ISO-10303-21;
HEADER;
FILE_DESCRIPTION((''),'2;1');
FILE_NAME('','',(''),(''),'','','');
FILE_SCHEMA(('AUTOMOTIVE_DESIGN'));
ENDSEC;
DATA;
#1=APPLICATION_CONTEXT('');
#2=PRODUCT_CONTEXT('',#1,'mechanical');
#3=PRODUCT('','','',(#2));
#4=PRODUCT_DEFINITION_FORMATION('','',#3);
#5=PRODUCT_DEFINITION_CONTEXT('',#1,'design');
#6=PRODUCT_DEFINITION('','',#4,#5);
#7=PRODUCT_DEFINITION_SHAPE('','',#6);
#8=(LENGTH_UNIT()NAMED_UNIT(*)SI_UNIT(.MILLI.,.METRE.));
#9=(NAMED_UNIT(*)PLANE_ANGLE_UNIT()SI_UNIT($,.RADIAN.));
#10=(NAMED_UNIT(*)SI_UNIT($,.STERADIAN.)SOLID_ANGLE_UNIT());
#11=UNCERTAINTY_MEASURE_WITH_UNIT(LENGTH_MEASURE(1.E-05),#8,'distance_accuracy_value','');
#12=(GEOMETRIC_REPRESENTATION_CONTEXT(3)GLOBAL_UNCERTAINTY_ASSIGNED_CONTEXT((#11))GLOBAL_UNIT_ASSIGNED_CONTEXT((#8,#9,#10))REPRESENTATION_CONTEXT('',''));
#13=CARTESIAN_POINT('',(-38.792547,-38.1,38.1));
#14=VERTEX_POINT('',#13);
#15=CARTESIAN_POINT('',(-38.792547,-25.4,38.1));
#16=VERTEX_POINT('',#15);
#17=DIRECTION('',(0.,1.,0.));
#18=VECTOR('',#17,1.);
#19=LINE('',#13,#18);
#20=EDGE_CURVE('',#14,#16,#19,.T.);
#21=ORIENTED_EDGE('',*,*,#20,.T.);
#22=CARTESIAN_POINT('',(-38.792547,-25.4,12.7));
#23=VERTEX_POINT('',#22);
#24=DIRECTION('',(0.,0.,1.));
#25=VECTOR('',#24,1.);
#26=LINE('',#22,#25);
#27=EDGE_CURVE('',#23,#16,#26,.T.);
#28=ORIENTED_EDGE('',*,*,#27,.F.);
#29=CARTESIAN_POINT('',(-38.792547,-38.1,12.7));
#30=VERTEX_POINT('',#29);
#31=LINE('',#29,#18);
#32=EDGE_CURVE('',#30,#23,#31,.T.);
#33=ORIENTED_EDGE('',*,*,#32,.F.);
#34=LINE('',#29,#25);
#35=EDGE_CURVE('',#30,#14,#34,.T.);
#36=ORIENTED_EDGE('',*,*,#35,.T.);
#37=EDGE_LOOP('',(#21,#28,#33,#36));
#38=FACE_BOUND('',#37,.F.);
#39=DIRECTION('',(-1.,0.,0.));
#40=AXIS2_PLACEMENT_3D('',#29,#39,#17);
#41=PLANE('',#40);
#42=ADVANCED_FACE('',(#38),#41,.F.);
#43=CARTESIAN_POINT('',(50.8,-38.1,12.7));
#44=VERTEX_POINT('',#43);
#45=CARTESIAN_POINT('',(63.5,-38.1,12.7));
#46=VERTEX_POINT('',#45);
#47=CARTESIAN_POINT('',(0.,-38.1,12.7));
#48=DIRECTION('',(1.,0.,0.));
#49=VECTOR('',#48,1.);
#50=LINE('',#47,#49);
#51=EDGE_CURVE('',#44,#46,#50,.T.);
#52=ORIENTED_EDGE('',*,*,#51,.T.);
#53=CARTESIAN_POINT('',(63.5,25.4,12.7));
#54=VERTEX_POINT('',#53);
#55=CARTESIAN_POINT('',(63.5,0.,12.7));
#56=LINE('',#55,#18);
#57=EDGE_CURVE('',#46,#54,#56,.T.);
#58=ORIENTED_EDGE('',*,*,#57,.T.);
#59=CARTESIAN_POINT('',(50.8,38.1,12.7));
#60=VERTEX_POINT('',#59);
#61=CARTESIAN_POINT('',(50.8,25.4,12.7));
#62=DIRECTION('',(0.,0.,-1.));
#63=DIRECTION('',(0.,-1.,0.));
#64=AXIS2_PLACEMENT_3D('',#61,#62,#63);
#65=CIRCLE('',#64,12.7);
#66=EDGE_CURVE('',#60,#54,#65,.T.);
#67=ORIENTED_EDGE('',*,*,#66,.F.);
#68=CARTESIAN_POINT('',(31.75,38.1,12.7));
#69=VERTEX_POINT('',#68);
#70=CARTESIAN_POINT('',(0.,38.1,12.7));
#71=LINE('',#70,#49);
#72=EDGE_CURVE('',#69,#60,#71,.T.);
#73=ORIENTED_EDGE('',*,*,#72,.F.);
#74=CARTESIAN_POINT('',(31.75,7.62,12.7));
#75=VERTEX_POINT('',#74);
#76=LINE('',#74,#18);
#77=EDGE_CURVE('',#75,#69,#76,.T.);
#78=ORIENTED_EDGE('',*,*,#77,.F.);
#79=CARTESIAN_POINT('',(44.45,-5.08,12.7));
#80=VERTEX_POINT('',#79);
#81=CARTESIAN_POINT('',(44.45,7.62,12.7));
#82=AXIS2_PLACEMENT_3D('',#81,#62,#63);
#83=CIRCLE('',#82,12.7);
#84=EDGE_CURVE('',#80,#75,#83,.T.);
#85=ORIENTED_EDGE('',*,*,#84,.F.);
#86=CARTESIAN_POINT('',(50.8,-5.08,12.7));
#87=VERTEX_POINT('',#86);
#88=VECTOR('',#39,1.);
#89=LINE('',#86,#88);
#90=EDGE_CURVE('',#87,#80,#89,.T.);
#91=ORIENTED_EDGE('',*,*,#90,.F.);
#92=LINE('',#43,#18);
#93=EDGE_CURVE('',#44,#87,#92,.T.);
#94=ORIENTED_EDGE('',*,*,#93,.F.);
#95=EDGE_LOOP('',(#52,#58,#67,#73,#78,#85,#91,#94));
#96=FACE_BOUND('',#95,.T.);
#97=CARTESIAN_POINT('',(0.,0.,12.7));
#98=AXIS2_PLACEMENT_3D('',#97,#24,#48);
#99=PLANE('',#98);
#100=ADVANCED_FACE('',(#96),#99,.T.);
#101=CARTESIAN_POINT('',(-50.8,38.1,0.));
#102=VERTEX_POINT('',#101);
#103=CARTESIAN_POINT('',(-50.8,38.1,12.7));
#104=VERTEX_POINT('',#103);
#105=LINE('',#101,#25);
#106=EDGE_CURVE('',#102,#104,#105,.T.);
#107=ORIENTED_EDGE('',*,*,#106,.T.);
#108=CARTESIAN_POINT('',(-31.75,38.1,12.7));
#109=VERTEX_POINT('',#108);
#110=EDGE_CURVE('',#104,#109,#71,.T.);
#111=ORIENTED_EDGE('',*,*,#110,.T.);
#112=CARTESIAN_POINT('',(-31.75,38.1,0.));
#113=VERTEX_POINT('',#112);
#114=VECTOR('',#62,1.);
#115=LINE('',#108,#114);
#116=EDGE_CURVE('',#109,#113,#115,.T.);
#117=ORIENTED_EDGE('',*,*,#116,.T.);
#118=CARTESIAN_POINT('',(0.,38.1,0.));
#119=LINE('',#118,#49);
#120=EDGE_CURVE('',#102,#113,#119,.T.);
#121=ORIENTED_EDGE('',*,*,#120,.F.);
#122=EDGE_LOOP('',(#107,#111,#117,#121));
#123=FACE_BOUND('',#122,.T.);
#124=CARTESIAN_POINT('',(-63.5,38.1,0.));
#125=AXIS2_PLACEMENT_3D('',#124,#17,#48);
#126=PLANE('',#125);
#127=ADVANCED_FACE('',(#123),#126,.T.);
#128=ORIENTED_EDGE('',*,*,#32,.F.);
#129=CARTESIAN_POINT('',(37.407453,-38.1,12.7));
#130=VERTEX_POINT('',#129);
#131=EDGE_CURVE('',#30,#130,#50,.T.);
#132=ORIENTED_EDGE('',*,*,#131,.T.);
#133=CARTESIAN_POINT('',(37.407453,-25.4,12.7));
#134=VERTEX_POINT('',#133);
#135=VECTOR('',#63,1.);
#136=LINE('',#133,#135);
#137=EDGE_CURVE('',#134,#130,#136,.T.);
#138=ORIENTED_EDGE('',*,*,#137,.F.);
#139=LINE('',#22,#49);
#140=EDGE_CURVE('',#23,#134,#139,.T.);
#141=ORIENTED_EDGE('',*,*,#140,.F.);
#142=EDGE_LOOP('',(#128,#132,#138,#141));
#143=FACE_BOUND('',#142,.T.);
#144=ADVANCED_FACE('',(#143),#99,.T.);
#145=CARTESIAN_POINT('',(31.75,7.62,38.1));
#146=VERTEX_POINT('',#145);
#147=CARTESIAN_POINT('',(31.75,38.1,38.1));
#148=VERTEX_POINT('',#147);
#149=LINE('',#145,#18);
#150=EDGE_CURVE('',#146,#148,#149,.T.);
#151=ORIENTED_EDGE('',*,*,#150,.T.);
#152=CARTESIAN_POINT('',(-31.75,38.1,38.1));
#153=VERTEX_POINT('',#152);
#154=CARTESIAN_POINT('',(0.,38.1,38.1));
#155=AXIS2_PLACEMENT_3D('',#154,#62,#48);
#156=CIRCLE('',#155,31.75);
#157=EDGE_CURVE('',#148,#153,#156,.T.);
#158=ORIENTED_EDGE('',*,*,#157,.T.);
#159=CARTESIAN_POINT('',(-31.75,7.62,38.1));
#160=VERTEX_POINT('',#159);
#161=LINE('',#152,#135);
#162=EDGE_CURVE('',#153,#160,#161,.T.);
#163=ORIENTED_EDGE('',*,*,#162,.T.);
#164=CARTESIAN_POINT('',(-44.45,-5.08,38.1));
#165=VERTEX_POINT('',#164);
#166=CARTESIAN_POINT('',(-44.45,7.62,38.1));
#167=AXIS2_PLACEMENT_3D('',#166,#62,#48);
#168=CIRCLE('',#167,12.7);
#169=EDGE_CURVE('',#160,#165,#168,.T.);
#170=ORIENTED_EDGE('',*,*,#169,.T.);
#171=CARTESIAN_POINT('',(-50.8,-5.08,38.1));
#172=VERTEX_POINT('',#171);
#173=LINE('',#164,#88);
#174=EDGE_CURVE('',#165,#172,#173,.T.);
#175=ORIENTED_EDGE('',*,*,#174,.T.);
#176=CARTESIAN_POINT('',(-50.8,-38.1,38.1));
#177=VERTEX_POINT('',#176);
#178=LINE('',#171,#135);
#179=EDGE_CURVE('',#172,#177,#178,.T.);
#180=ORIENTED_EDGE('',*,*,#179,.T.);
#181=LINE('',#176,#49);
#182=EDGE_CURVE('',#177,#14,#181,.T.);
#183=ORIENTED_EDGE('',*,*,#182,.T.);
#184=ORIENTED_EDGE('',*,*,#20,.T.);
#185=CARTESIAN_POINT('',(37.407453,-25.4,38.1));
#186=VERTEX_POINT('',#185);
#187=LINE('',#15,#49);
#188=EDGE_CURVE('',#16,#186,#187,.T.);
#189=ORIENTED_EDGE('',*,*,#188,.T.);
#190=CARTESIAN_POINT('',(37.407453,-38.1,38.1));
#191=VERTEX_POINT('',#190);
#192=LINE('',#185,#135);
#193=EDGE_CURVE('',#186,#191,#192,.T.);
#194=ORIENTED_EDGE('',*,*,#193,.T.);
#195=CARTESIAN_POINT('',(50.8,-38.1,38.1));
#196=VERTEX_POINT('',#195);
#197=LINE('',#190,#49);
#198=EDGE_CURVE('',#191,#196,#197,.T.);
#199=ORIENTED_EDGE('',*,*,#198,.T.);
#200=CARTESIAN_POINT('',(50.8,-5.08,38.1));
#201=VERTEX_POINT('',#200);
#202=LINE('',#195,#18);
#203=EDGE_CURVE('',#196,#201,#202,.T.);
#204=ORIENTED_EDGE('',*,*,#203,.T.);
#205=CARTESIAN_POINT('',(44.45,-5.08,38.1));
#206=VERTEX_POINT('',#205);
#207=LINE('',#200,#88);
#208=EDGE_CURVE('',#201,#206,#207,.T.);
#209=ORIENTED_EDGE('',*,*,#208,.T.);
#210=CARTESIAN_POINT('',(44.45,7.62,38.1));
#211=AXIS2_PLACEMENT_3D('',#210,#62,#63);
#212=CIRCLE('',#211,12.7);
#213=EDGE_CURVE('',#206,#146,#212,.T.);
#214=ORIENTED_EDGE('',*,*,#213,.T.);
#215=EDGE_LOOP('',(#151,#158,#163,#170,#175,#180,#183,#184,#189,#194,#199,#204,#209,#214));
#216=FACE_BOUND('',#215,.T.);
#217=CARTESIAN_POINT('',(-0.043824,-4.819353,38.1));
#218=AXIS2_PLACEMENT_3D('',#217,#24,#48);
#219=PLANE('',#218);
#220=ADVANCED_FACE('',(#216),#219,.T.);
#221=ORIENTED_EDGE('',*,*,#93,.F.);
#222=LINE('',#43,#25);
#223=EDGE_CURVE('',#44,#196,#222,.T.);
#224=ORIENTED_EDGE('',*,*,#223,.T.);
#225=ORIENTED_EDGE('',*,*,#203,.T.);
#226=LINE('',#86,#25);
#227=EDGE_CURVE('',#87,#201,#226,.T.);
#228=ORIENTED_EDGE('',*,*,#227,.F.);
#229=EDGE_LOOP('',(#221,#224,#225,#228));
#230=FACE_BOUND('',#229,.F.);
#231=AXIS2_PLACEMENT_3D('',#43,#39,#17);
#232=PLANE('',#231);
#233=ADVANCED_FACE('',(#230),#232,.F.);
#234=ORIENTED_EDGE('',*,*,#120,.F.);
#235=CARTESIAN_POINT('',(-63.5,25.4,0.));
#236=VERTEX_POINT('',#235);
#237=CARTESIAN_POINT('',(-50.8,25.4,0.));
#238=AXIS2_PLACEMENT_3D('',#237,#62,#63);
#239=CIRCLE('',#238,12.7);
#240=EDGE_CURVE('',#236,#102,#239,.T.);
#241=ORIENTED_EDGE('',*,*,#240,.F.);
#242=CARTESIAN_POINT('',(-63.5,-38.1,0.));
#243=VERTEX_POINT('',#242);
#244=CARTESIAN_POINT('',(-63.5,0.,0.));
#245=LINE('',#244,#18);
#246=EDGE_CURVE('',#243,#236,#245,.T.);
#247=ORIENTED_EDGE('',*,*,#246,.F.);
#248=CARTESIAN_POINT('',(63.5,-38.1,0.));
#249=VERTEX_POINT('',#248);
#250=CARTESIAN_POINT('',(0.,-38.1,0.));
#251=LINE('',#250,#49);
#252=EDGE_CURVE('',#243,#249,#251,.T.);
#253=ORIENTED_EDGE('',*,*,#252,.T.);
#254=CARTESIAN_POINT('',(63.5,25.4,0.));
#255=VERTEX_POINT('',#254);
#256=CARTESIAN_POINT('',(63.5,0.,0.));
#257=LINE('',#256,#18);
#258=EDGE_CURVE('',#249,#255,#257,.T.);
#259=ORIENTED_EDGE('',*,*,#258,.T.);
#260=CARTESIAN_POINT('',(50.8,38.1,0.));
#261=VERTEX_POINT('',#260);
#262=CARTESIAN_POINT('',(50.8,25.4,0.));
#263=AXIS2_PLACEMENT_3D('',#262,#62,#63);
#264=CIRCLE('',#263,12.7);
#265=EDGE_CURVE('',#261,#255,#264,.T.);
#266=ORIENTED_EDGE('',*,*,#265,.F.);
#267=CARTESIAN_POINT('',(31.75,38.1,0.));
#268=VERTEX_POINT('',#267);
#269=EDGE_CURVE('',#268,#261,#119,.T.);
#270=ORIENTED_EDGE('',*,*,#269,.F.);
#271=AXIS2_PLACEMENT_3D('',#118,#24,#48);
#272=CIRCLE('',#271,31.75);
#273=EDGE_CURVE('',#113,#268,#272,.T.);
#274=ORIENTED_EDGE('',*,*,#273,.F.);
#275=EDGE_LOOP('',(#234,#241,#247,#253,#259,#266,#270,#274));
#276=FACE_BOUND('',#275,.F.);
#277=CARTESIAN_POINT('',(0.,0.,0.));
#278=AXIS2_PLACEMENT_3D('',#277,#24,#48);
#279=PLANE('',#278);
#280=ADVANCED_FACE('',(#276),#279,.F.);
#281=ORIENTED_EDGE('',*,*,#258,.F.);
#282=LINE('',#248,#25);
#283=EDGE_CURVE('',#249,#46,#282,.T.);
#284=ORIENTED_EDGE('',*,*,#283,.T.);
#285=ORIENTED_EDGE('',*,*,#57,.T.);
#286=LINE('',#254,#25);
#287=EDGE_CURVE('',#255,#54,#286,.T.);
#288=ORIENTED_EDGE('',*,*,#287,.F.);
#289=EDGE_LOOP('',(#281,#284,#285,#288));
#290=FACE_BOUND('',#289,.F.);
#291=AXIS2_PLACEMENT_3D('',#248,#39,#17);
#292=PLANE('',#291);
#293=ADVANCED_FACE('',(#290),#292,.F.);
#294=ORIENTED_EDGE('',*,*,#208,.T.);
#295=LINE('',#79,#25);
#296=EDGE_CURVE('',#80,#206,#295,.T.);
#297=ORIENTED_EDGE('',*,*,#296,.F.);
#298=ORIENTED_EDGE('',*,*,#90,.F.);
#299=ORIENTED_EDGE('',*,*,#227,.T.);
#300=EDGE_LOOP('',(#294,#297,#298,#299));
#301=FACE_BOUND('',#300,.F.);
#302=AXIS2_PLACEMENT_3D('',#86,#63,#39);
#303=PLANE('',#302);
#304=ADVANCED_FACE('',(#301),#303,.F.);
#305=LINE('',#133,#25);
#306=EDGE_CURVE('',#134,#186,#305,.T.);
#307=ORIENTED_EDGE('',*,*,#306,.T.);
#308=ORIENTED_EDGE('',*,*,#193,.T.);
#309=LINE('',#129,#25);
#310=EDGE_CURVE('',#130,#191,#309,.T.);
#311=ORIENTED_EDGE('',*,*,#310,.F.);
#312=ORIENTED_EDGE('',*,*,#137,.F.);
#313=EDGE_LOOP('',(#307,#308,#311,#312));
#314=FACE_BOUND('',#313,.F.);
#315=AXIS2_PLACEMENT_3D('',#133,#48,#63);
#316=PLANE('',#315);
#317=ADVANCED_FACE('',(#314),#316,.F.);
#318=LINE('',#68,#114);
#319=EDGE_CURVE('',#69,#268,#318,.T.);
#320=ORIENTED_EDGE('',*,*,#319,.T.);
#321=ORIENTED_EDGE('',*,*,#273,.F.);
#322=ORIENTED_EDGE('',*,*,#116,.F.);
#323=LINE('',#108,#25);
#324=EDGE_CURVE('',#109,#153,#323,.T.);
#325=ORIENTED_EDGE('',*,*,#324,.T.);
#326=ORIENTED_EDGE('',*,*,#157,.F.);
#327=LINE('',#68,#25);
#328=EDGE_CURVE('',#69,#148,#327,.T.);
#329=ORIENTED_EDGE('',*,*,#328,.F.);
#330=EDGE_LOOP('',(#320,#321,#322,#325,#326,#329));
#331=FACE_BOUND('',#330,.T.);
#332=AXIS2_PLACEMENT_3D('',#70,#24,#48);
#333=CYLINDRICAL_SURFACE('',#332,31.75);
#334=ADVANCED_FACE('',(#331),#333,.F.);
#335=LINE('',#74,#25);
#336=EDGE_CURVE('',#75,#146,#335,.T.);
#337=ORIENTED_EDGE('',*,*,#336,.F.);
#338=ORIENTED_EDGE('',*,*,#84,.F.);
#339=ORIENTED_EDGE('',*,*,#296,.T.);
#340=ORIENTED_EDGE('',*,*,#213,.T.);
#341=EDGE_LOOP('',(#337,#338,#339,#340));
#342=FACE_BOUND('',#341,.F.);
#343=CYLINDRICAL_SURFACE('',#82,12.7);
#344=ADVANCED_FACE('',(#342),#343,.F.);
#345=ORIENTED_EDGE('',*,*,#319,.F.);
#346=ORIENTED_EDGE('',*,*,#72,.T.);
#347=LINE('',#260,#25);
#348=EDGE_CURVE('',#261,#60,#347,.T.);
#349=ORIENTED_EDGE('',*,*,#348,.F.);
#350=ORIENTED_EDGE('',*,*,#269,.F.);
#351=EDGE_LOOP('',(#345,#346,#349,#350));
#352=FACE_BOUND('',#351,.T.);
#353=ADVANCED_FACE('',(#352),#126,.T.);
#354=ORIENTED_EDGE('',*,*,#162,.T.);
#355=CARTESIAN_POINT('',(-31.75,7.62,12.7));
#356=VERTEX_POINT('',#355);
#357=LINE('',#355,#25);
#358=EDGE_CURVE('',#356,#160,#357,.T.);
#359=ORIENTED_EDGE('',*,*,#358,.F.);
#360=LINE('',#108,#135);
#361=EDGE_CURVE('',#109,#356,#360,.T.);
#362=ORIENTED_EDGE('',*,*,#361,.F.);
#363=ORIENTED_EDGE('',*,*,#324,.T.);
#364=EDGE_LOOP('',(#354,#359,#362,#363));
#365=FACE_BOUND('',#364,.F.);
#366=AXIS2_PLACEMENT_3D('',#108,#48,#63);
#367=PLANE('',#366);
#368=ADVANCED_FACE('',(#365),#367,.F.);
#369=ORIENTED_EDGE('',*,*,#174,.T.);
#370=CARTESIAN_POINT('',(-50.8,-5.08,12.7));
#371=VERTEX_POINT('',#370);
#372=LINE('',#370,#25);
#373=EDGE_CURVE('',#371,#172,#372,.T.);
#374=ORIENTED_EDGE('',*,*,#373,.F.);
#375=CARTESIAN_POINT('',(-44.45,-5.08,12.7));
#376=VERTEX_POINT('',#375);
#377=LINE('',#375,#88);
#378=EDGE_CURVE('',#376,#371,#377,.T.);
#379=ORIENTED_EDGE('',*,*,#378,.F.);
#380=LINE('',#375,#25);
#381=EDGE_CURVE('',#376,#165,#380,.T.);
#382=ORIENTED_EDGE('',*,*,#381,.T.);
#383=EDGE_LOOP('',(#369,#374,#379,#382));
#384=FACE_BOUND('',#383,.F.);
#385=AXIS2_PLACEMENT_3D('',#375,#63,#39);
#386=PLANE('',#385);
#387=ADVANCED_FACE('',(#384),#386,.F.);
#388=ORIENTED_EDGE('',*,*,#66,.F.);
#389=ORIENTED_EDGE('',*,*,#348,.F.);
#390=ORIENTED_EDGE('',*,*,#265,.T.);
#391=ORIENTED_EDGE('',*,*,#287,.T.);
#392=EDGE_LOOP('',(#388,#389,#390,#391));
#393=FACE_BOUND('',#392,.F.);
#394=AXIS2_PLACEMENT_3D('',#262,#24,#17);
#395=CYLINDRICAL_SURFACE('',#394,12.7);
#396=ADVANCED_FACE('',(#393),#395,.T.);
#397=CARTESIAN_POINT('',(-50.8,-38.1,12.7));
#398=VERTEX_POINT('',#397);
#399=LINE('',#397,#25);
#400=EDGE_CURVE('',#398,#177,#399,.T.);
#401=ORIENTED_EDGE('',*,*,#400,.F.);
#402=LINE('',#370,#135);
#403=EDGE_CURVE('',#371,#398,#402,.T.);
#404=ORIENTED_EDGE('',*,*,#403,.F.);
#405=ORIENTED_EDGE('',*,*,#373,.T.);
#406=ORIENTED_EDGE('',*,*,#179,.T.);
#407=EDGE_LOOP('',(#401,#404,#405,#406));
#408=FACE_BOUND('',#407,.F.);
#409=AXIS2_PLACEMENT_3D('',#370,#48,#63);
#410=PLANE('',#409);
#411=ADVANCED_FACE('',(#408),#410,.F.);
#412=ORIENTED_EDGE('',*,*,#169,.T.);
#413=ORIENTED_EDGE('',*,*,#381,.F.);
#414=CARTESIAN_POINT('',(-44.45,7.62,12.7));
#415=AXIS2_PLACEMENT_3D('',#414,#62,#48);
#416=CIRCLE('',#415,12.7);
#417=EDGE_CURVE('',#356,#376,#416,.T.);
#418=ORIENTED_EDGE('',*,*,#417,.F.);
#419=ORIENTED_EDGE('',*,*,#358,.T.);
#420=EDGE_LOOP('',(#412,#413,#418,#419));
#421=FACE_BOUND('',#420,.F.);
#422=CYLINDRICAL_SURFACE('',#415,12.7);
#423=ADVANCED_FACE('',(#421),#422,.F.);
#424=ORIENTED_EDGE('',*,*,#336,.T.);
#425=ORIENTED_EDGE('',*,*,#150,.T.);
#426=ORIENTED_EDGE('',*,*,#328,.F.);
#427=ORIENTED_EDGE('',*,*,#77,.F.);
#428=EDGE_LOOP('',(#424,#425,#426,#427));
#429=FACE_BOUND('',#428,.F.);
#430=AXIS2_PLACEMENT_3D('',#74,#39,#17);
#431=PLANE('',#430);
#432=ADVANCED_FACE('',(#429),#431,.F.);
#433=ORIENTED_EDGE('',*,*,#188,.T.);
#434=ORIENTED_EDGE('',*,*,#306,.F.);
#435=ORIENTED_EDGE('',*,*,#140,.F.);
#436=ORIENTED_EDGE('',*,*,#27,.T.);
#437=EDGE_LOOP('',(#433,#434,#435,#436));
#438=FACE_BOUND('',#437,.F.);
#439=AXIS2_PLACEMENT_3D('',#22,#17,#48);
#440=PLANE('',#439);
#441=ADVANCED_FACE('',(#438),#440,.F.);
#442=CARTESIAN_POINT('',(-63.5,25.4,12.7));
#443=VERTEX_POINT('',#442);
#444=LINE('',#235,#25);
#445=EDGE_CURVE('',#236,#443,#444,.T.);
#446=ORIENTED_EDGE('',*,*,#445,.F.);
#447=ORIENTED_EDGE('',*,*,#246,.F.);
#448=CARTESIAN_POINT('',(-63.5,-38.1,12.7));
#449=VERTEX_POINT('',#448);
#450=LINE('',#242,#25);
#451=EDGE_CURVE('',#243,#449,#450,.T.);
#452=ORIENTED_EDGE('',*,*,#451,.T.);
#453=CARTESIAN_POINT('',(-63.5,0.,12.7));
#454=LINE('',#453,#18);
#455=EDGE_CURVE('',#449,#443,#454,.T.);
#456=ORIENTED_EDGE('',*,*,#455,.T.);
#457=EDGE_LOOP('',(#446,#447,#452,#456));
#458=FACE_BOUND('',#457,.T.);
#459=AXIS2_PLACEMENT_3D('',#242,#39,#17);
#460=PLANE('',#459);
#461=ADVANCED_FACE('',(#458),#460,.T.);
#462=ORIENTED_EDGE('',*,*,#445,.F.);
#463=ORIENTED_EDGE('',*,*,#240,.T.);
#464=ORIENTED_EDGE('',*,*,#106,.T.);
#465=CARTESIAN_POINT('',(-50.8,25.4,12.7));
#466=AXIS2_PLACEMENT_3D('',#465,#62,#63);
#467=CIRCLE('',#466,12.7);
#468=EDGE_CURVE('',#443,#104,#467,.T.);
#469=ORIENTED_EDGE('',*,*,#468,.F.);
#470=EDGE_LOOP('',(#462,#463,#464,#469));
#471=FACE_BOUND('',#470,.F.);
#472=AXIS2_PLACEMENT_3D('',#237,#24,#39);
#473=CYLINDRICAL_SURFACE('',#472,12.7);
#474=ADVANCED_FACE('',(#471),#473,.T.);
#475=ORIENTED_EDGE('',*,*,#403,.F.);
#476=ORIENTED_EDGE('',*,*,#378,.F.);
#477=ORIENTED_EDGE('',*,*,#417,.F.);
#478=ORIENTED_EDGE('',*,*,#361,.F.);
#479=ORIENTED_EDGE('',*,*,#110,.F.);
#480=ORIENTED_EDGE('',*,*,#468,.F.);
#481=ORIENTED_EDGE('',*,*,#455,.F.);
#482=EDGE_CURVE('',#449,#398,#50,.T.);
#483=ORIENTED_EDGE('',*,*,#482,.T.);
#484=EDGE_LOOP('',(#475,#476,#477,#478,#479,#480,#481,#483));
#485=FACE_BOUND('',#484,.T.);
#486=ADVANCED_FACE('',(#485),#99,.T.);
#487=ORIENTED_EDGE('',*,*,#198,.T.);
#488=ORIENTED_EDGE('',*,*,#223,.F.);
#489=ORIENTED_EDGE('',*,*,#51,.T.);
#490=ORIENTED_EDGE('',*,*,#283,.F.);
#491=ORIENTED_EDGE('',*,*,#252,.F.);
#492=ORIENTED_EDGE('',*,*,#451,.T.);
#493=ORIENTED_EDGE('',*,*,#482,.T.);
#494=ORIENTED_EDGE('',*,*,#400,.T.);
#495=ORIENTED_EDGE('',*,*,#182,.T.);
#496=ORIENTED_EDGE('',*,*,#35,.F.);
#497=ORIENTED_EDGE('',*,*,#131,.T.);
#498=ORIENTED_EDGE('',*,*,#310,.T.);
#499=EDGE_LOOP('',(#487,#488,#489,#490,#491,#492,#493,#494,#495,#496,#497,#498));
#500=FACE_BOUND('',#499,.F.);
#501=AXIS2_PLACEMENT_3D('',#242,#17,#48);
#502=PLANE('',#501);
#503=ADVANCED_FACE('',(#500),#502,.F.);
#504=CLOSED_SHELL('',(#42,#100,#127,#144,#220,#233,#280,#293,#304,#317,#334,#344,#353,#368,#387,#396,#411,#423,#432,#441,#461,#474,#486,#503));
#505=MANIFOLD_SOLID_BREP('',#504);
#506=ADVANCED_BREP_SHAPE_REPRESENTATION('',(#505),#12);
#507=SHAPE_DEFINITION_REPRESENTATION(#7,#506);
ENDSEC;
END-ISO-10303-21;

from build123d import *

# Parameters (mm, degrees)
F0_W     = 127
F0_H     = 76.2
F1_DEPTH = 12.7
F3_DEPTH = 25.4
F4_R     = 12.7
F5_DEPTH = 12.701


with BuildPart() as f1:
    # F0 (on Top) → F1 (new body)
    with BuildSketch(Plane.XY):
        Rectangle(F0_W, F0_H)
    extrude(amount=F1_DEPTH)

    # F2 (on face) → F3 (join)
    with BuildSketch(Plane.XY.offset(12.7)):
        with BuildLine():
            Line((31.75, 7.62), (31.75, 38.1))
            ThreePointArc((31.75, 38.1), (0, 6.35), (-31.75, 38.1))
            Line((-31.75, 38.1), (-31.75, 7.62))
            ThreePointArc((-31.75, 7.62), (-35.4697438789, -1.3602561211), (-44.45, -5.08))
            Line((-44.45, -5.08), (-50.8, -5.08))
            Line((-50.8, -5.08), (-50.8, -38.1))
            Line((-50.8, -38.1), (-38.7925468385, -38.1))
            Line((-38.7925468385, -38.1), (-38.7925468385, -25.4))
            Line((-38.7925468385, -25.4), (37.4074531615, -25.4))
            Line((37.4074531615, -25.4), (37.4074531615, -38.1))
            Line((37.4074531615, -38.1), (50.8, -38.1))
            Line((50.8, -38.1), (50.8, -5.08))
            Line((50.8, -5.08), (44.45, -5.08))
            ThreePointArc((44.45, -5.08), (35.4697438789, -1.3602561211), (31.75, 7.62))
        make_face()
    extrude(amount=F3_DEPTH)

    # F4
    f4_edges = [f1.edges().sort_by_distance(p)[0] for p in [
        (-63.5, 38.1, 6.35),
        (63.5, 38.1, 6.35),
    ]]
    fillet(f4_edges, radius=F4_R)

    # F5 (cut, through all): a face of the model
    f5_faces = [f1.faces().sort_by_distance(p)[0] for p in [
        (0, 24.6248814849, 12.7),
    ]]
    extrude(f5_faces, amount=-F5_DEPTH, mode=Mode.SUBTRACT)


solid = f1.part
